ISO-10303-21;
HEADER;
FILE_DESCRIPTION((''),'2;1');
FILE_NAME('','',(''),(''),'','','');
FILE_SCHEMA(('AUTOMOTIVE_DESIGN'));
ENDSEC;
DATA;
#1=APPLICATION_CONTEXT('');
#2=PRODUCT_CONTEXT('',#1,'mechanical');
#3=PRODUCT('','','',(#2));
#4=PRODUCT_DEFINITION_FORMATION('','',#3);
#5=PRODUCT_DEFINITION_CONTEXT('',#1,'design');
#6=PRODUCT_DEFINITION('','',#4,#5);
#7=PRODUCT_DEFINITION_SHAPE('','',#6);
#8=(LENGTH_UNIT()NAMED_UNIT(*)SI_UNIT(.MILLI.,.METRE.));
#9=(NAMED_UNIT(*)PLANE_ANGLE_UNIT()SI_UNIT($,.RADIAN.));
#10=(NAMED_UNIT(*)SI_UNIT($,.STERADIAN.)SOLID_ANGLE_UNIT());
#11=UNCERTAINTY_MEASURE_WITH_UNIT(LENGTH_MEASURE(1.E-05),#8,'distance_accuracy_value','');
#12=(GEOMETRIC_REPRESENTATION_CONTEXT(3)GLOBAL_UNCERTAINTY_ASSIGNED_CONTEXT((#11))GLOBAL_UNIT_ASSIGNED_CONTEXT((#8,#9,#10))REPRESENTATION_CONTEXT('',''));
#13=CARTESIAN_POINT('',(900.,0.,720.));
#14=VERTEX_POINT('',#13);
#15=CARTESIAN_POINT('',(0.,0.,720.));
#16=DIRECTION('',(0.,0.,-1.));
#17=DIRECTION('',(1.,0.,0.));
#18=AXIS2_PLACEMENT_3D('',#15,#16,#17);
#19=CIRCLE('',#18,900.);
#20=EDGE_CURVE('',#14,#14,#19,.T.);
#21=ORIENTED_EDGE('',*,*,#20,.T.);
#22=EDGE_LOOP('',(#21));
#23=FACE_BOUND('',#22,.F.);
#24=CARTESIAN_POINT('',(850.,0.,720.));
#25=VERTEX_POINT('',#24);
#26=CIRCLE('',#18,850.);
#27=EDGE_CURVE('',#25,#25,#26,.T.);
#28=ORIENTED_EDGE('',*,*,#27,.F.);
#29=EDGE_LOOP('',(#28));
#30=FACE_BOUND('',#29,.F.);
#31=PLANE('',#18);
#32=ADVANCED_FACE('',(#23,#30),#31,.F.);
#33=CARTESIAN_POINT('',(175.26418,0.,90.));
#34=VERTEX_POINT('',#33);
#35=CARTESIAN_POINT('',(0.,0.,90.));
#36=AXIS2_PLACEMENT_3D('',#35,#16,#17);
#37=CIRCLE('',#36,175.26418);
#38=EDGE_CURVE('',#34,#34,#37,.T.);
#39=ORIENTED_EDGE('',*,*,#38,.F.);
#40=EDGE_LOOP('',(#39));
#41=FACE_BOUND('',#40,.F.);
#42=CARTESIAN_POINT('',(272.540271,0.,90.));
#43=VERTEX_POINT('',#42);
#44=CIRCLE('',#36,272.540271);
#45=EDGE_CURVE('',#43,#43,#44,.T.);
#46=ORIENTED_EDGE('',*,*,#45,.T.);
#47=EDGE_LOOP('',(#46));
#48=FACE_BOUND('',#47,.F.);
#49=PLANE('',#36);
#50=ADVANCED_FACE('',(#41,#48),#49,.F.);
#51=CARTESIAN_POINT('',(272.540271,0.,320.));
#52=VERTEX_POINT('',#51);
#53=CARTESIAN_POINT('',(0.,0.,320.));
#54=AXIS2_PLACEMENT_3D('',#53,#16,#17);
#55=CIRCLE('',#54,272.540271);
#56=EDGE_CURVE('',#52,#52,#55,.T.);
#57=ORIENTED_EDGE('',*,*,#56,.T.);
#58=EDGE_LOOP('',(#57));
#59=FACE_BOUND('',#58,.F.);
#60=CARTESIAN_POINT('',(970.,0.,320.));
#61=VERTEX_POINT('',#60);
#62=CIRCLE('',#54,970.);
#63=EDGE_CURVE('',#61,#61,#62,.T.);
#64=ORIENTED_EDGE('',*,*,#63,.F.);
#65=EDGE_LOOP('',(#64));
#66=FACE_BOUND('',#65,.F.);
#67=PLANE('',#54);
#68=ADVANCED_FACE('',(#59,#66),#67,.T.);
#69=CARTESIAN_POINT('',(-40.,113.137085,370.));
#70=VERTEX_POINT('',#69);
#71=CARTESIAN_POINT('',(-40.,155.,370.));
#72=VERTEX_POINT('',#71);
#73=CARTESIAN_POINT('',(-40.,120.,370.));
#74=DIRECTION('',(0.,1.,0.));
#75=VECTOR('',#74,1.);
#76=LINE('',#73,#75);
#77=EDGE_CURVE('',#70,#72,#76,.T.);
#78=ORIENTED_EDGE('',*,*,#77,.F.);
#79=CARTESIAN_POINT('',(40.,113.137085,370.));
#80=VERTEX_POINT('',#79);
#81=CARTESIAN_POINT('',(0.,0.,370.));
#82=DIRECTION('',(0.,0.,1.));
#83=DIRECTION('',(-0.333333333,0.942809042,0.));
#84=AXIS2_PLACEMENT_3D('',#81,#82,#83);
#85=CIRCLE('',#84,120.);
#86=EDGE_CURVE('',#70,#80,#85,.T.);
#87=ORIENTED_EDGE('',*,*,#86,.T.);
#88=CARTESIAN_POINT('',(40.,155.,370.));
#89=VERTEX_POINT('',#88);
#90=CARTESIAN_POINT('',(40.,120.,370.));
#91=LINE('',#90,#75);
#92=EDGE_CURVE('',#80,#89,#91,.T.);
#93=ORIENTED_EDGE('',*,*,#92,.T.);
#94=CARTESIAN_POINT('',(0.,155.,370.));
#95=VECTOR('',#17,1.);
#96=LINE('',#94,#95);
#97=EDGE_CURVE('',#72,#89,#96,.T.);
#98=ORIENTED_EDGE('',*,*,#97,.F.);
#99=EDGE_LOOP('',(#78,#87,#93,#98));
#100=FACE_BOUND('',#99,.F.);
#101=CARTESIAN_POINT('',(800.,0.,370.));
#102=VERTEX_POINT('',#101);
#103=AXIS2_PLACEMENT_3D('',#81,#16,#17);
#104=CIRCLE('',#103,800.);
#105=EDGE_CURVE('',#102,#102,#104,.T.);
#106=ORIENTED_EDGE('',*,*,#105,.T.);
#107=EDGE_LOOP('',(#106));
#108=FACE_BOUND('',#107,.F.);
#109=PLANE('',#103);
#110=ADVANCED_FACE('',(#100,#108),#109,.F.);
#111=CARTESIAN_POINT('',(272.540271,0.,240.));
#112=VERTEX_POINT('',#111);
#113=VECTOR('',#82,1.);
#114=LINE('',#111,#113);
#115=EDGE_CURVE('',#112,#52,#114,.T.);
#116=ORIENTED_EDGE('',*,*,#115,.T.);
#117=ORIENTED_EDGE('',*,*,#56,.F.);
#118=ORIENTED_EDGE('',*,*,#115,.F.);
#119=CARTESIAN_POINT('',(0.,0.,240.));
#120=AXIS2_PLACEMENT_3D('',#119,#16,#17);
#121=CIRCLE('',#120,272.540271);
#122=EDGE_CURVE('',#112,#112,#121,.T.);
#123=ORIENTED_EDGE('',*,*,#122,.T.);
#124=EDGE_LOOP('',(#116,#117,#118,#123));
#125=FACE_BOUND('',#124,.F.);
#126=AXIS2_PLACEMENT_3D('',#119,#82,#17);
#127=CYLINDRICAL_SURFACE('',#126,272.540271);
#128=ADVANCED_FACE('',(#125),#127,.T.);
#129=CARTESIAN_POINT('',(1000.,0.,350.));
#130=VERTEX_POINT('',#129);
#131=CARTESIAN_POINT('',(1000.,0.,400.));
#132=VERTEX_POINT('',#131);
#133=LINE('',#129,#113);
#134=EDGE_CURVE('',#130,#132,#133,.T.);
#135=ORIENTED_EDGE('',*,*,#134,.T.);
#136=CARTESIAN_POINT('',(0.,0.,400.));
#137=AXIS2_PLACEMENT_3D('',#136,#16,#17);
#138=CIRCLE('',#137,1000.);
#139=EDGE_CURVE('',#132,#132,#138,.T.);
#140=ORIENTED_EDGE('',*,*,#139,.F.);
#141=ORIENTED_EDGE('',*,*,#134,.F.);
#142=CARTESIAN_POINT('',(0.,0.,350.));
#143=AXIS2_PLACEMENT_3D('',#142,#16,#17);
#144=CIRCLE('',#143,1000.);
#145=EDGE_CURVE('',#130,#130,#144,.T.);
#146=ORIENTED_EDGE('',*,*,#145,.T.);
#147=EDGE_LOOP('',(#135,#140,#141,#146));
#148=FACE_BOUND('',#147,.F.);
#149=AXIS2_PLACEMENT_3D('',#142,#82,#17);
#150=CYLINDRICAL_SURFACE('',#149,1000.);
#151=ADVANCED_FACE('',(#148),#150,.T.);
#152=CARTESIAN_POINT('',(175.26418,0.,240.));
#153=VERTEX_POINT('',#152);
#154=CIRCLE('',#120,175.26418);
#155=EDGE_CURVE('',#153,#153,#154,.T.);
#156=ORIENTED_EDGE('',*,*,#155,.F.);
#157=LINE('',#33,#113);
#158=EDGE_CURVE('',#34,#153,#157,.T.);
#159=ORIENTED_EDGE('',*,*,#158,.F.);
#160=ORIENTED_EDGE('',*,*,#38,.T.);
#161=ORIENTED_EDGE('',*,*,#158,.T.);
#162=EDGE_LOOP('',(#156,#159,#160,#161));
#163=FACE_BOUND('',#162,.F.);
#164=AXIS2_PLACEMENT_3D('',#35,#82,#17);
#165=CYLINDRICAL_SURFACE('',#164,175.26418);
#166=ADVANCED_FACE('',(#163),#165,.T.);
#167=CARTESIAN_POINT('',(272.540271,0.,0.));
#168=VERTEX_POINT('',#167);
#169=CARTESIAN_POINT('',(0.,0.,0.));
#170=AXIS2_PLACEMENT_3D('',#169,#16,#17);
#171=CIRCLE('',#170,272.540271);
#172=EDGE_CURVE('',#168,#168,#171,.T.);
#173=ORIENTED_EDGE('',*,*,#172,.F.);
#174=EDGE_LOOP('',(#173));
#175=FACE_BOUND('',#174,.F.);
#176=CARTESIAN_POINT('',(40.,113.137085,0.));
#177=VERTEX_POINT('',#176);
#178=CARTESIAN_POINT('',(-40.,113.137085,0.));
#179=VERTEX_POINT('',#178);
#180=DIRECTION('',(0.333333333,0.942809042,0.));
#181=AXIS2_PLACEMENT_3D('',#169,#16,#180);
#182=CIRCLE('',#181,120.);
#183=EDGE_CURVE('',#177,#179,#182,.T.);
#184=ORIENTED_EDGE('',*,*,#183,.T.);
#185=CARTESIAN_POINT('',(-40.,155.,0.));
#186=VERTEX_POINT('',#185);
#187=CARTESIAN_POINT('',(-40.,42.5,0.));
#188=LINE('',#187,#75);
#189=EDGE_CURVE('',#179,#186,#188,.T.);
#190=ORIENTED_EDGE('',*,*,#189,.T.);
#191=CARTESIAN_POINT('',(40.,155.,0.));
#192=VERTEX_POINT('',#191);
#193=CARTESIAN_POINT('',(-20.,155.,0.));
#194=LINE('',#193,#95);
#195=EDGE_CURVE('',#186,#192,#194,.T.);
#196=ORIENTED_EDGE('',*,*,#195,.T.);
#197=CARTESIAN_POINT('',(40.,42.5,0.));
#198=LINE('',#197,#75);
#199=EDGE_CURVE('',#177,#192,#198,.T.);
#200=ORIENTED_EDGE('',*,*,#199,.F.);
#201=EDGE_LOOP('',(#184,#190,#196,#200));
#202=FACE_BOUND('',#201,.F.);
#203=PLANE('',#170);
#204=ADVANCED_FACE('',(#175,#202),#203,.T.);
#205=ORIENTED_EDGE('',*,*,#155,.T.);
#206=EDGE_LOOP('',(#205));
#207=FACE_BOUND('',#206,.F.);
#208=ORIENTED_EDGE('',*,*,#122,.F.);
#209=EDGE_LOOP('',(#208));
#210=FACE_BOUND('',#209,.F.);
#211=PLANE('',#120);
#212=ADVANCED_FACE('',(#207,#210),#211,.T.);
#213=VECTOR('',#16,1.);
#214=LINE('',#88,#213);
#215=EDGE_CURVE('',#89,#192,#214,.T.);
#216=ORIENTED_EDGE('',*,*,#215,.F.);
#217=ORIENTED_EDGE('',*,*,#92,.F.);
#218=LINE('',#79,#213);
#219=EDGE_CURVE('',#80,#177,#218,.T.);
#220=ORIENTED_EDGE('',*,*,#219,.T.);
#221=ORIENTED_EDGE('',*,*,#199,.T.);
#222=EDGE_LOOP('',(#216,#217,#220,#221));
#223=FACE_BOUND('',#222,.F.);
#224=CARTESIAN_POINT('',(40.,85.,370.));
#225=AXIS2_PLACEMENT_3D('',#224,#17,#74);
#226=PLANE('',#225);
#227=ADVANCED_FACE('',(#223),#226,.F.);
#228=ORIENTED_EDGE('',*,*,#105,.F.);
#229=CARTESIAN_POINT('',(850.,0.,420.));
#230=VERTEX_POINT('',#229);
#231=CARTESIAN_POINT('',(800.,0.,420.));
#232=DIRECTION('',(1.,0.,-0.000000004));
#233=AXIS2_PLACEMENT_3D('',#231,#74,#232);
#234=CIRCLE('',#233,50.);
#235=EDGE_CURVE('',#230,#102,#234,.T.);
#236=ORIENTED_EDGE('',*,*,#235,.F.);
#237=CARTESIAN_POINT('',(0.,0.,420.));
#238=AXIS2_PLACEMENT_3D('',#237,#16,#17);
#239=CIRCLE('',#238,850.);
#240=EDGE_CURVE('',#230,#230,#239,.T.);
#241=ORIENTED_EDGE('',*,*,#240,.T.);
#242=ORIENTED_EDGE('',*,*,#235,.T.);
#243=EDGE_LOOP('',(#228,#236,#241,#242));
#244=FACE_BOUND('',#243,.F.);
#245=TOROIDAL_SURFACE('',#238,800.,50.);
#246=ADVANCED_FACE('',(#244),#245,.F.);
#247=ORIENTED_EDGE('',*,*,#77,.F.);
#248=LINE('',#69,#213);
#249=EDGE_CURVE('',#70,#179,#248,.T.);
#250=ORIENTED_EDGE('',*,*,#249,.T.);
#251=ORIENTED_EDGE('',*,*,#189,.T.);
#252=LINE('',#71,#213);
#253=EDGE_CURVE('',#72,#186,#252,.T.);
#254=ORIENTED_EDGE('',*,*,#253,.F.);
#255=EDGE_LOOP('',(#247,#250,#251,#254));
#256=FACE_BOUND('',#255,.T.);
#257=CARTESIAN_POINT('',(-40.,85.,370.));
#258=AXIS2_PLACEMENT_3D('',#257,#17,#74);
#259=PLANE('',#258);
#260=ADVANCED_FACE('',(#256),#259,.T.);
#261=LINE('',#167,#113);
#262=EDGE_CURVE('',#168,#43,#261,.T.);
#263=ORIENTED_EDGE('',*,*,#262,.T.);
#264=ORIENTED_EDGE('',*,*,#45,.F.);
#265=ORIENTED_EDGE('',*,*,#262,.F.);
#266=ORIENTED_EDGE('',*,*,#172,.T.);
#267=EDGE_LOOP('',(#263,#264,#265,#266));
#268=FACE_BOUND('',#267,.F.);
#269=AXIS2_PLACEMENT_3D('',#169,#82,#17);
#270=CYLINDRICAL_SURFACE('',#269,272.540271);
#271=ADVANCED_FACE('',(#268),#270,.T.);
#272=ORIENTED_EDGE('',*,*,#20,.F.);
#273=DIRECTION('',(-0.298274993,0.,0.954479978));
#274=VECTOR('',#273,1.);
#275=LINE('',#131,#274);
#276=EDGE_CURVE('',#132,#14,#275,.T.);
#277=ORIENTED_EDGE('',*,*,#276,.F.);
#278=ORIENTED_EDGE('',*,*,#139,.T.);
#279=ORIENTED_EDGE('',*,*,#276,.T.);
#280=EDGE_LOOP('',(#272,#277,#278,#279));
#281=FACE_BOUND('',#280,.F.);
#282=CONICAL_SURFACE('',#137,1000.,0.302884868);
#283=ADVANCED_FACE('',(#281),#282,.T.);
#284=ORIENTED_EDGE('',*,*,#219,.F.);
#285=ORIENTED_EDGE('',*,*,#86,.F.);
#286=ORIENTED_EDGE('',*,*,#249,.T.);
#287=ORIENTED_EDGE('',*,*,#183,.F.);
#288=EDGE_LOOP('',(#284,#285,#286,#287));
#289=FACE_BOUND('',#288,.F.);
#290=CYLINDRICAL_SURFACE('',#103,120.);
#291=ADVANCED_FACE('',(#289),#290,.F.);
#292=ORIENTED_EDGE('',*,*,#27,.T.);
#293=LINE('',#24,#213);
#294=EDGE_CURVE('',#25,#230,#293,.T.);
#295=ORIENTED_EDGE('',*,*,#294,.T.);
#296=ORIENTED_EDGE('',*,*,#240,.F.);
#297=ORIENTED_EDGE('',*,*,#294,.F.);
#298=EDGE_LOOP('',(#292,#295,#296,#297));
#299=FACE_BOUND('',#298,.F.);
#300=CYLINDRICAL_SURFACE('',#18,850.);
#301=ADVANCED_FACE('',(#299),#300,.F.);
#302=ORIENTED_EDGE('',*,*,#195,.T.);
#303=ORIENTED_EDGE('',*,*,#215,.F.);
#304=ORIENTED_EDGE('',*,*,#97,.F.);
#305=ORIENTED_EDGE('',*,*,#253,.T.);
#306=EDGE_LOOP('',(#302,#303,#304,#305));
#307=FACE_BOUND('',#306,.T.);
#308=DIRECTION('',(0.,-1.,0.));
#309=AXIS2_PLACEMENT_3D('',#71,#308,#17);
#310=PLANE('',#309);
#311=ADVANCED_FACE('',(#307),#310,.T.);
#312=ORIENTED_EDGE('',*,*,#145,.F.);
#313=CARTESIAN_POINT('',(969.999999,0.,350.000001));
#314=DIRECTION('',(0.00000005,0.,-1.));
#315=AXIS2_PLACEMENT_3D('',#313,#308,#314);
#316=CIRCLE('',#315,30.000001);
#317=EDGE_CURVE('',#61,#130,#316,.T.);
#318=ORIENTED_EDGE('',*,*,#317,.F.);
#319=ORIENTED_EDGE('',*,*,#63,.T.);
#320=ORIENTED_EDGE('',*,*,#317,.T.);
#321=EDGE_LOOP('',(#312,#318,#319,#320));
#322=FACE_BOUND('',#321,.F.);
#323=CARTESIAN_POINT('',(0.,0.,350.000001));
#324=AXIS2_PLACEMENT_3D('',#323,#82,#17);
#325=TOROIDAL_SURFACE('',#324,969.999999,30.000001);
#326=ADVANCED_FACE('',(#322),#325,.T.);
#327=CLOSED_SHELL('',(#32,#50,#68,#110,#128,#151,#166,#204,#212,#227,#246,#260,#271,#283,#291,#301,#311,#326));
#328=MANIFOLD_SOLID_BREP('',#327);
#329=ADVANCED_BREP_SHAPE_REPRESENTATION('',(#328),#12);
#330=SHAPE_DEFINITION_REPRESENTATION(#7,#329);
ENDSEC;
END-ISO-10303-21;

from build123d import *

# Parameters (mm, degrees)
F2_W     = 80
F2_H     = 70
F3_DEPTH = 370.001


with BuildPart() as f1:
    # F0 (on Front) → F1 (revolve)
    with BuildSketch(Plane.XZ):
        with BuildLine():
            Line((120, 370), (120, 0))
            Line((120, 0), (272.540271, 0))
            Line((272.540271, 0), (272.540271, 90))
            Line((272.540271, 90), (175.26418, 90))
            Line((175.26418, 90), (175.26418, 240))
            Line((175.26418, 240), (272.540271, 240))
            Line((272.540271, 240), (272.540271, 320))
            Line((272.540271, 320), (970, 320))
            ThreePointArc((970, 320), (991.213203, 328.786797), (1000, 350))
            Line((1000, 350), (1000, 400))
            Line((1000, 400), (900, 720))
            Line((900, 720), (850, 720))
            Line((850, 720), (850, 420))
            ThreePointArc((850, 420), (835.355339, 384.644661), (800, 370))
            Line((800, 370), (120, 370))
        make_face()
    revolve(axis=Axis((0, 0, -22.662076), (0, 0, -1)))

    # F2 (on face) → F3 (cut, through all)
    with BuildSketch(Plane.XY.offset(370)):
        with Locations((0, 120)):
            Rectangle(F2_W, F2_H)
    extrude(amount=-F3_DEPTH, mode=Mode.SUBTRACT)


solid = f1.part
